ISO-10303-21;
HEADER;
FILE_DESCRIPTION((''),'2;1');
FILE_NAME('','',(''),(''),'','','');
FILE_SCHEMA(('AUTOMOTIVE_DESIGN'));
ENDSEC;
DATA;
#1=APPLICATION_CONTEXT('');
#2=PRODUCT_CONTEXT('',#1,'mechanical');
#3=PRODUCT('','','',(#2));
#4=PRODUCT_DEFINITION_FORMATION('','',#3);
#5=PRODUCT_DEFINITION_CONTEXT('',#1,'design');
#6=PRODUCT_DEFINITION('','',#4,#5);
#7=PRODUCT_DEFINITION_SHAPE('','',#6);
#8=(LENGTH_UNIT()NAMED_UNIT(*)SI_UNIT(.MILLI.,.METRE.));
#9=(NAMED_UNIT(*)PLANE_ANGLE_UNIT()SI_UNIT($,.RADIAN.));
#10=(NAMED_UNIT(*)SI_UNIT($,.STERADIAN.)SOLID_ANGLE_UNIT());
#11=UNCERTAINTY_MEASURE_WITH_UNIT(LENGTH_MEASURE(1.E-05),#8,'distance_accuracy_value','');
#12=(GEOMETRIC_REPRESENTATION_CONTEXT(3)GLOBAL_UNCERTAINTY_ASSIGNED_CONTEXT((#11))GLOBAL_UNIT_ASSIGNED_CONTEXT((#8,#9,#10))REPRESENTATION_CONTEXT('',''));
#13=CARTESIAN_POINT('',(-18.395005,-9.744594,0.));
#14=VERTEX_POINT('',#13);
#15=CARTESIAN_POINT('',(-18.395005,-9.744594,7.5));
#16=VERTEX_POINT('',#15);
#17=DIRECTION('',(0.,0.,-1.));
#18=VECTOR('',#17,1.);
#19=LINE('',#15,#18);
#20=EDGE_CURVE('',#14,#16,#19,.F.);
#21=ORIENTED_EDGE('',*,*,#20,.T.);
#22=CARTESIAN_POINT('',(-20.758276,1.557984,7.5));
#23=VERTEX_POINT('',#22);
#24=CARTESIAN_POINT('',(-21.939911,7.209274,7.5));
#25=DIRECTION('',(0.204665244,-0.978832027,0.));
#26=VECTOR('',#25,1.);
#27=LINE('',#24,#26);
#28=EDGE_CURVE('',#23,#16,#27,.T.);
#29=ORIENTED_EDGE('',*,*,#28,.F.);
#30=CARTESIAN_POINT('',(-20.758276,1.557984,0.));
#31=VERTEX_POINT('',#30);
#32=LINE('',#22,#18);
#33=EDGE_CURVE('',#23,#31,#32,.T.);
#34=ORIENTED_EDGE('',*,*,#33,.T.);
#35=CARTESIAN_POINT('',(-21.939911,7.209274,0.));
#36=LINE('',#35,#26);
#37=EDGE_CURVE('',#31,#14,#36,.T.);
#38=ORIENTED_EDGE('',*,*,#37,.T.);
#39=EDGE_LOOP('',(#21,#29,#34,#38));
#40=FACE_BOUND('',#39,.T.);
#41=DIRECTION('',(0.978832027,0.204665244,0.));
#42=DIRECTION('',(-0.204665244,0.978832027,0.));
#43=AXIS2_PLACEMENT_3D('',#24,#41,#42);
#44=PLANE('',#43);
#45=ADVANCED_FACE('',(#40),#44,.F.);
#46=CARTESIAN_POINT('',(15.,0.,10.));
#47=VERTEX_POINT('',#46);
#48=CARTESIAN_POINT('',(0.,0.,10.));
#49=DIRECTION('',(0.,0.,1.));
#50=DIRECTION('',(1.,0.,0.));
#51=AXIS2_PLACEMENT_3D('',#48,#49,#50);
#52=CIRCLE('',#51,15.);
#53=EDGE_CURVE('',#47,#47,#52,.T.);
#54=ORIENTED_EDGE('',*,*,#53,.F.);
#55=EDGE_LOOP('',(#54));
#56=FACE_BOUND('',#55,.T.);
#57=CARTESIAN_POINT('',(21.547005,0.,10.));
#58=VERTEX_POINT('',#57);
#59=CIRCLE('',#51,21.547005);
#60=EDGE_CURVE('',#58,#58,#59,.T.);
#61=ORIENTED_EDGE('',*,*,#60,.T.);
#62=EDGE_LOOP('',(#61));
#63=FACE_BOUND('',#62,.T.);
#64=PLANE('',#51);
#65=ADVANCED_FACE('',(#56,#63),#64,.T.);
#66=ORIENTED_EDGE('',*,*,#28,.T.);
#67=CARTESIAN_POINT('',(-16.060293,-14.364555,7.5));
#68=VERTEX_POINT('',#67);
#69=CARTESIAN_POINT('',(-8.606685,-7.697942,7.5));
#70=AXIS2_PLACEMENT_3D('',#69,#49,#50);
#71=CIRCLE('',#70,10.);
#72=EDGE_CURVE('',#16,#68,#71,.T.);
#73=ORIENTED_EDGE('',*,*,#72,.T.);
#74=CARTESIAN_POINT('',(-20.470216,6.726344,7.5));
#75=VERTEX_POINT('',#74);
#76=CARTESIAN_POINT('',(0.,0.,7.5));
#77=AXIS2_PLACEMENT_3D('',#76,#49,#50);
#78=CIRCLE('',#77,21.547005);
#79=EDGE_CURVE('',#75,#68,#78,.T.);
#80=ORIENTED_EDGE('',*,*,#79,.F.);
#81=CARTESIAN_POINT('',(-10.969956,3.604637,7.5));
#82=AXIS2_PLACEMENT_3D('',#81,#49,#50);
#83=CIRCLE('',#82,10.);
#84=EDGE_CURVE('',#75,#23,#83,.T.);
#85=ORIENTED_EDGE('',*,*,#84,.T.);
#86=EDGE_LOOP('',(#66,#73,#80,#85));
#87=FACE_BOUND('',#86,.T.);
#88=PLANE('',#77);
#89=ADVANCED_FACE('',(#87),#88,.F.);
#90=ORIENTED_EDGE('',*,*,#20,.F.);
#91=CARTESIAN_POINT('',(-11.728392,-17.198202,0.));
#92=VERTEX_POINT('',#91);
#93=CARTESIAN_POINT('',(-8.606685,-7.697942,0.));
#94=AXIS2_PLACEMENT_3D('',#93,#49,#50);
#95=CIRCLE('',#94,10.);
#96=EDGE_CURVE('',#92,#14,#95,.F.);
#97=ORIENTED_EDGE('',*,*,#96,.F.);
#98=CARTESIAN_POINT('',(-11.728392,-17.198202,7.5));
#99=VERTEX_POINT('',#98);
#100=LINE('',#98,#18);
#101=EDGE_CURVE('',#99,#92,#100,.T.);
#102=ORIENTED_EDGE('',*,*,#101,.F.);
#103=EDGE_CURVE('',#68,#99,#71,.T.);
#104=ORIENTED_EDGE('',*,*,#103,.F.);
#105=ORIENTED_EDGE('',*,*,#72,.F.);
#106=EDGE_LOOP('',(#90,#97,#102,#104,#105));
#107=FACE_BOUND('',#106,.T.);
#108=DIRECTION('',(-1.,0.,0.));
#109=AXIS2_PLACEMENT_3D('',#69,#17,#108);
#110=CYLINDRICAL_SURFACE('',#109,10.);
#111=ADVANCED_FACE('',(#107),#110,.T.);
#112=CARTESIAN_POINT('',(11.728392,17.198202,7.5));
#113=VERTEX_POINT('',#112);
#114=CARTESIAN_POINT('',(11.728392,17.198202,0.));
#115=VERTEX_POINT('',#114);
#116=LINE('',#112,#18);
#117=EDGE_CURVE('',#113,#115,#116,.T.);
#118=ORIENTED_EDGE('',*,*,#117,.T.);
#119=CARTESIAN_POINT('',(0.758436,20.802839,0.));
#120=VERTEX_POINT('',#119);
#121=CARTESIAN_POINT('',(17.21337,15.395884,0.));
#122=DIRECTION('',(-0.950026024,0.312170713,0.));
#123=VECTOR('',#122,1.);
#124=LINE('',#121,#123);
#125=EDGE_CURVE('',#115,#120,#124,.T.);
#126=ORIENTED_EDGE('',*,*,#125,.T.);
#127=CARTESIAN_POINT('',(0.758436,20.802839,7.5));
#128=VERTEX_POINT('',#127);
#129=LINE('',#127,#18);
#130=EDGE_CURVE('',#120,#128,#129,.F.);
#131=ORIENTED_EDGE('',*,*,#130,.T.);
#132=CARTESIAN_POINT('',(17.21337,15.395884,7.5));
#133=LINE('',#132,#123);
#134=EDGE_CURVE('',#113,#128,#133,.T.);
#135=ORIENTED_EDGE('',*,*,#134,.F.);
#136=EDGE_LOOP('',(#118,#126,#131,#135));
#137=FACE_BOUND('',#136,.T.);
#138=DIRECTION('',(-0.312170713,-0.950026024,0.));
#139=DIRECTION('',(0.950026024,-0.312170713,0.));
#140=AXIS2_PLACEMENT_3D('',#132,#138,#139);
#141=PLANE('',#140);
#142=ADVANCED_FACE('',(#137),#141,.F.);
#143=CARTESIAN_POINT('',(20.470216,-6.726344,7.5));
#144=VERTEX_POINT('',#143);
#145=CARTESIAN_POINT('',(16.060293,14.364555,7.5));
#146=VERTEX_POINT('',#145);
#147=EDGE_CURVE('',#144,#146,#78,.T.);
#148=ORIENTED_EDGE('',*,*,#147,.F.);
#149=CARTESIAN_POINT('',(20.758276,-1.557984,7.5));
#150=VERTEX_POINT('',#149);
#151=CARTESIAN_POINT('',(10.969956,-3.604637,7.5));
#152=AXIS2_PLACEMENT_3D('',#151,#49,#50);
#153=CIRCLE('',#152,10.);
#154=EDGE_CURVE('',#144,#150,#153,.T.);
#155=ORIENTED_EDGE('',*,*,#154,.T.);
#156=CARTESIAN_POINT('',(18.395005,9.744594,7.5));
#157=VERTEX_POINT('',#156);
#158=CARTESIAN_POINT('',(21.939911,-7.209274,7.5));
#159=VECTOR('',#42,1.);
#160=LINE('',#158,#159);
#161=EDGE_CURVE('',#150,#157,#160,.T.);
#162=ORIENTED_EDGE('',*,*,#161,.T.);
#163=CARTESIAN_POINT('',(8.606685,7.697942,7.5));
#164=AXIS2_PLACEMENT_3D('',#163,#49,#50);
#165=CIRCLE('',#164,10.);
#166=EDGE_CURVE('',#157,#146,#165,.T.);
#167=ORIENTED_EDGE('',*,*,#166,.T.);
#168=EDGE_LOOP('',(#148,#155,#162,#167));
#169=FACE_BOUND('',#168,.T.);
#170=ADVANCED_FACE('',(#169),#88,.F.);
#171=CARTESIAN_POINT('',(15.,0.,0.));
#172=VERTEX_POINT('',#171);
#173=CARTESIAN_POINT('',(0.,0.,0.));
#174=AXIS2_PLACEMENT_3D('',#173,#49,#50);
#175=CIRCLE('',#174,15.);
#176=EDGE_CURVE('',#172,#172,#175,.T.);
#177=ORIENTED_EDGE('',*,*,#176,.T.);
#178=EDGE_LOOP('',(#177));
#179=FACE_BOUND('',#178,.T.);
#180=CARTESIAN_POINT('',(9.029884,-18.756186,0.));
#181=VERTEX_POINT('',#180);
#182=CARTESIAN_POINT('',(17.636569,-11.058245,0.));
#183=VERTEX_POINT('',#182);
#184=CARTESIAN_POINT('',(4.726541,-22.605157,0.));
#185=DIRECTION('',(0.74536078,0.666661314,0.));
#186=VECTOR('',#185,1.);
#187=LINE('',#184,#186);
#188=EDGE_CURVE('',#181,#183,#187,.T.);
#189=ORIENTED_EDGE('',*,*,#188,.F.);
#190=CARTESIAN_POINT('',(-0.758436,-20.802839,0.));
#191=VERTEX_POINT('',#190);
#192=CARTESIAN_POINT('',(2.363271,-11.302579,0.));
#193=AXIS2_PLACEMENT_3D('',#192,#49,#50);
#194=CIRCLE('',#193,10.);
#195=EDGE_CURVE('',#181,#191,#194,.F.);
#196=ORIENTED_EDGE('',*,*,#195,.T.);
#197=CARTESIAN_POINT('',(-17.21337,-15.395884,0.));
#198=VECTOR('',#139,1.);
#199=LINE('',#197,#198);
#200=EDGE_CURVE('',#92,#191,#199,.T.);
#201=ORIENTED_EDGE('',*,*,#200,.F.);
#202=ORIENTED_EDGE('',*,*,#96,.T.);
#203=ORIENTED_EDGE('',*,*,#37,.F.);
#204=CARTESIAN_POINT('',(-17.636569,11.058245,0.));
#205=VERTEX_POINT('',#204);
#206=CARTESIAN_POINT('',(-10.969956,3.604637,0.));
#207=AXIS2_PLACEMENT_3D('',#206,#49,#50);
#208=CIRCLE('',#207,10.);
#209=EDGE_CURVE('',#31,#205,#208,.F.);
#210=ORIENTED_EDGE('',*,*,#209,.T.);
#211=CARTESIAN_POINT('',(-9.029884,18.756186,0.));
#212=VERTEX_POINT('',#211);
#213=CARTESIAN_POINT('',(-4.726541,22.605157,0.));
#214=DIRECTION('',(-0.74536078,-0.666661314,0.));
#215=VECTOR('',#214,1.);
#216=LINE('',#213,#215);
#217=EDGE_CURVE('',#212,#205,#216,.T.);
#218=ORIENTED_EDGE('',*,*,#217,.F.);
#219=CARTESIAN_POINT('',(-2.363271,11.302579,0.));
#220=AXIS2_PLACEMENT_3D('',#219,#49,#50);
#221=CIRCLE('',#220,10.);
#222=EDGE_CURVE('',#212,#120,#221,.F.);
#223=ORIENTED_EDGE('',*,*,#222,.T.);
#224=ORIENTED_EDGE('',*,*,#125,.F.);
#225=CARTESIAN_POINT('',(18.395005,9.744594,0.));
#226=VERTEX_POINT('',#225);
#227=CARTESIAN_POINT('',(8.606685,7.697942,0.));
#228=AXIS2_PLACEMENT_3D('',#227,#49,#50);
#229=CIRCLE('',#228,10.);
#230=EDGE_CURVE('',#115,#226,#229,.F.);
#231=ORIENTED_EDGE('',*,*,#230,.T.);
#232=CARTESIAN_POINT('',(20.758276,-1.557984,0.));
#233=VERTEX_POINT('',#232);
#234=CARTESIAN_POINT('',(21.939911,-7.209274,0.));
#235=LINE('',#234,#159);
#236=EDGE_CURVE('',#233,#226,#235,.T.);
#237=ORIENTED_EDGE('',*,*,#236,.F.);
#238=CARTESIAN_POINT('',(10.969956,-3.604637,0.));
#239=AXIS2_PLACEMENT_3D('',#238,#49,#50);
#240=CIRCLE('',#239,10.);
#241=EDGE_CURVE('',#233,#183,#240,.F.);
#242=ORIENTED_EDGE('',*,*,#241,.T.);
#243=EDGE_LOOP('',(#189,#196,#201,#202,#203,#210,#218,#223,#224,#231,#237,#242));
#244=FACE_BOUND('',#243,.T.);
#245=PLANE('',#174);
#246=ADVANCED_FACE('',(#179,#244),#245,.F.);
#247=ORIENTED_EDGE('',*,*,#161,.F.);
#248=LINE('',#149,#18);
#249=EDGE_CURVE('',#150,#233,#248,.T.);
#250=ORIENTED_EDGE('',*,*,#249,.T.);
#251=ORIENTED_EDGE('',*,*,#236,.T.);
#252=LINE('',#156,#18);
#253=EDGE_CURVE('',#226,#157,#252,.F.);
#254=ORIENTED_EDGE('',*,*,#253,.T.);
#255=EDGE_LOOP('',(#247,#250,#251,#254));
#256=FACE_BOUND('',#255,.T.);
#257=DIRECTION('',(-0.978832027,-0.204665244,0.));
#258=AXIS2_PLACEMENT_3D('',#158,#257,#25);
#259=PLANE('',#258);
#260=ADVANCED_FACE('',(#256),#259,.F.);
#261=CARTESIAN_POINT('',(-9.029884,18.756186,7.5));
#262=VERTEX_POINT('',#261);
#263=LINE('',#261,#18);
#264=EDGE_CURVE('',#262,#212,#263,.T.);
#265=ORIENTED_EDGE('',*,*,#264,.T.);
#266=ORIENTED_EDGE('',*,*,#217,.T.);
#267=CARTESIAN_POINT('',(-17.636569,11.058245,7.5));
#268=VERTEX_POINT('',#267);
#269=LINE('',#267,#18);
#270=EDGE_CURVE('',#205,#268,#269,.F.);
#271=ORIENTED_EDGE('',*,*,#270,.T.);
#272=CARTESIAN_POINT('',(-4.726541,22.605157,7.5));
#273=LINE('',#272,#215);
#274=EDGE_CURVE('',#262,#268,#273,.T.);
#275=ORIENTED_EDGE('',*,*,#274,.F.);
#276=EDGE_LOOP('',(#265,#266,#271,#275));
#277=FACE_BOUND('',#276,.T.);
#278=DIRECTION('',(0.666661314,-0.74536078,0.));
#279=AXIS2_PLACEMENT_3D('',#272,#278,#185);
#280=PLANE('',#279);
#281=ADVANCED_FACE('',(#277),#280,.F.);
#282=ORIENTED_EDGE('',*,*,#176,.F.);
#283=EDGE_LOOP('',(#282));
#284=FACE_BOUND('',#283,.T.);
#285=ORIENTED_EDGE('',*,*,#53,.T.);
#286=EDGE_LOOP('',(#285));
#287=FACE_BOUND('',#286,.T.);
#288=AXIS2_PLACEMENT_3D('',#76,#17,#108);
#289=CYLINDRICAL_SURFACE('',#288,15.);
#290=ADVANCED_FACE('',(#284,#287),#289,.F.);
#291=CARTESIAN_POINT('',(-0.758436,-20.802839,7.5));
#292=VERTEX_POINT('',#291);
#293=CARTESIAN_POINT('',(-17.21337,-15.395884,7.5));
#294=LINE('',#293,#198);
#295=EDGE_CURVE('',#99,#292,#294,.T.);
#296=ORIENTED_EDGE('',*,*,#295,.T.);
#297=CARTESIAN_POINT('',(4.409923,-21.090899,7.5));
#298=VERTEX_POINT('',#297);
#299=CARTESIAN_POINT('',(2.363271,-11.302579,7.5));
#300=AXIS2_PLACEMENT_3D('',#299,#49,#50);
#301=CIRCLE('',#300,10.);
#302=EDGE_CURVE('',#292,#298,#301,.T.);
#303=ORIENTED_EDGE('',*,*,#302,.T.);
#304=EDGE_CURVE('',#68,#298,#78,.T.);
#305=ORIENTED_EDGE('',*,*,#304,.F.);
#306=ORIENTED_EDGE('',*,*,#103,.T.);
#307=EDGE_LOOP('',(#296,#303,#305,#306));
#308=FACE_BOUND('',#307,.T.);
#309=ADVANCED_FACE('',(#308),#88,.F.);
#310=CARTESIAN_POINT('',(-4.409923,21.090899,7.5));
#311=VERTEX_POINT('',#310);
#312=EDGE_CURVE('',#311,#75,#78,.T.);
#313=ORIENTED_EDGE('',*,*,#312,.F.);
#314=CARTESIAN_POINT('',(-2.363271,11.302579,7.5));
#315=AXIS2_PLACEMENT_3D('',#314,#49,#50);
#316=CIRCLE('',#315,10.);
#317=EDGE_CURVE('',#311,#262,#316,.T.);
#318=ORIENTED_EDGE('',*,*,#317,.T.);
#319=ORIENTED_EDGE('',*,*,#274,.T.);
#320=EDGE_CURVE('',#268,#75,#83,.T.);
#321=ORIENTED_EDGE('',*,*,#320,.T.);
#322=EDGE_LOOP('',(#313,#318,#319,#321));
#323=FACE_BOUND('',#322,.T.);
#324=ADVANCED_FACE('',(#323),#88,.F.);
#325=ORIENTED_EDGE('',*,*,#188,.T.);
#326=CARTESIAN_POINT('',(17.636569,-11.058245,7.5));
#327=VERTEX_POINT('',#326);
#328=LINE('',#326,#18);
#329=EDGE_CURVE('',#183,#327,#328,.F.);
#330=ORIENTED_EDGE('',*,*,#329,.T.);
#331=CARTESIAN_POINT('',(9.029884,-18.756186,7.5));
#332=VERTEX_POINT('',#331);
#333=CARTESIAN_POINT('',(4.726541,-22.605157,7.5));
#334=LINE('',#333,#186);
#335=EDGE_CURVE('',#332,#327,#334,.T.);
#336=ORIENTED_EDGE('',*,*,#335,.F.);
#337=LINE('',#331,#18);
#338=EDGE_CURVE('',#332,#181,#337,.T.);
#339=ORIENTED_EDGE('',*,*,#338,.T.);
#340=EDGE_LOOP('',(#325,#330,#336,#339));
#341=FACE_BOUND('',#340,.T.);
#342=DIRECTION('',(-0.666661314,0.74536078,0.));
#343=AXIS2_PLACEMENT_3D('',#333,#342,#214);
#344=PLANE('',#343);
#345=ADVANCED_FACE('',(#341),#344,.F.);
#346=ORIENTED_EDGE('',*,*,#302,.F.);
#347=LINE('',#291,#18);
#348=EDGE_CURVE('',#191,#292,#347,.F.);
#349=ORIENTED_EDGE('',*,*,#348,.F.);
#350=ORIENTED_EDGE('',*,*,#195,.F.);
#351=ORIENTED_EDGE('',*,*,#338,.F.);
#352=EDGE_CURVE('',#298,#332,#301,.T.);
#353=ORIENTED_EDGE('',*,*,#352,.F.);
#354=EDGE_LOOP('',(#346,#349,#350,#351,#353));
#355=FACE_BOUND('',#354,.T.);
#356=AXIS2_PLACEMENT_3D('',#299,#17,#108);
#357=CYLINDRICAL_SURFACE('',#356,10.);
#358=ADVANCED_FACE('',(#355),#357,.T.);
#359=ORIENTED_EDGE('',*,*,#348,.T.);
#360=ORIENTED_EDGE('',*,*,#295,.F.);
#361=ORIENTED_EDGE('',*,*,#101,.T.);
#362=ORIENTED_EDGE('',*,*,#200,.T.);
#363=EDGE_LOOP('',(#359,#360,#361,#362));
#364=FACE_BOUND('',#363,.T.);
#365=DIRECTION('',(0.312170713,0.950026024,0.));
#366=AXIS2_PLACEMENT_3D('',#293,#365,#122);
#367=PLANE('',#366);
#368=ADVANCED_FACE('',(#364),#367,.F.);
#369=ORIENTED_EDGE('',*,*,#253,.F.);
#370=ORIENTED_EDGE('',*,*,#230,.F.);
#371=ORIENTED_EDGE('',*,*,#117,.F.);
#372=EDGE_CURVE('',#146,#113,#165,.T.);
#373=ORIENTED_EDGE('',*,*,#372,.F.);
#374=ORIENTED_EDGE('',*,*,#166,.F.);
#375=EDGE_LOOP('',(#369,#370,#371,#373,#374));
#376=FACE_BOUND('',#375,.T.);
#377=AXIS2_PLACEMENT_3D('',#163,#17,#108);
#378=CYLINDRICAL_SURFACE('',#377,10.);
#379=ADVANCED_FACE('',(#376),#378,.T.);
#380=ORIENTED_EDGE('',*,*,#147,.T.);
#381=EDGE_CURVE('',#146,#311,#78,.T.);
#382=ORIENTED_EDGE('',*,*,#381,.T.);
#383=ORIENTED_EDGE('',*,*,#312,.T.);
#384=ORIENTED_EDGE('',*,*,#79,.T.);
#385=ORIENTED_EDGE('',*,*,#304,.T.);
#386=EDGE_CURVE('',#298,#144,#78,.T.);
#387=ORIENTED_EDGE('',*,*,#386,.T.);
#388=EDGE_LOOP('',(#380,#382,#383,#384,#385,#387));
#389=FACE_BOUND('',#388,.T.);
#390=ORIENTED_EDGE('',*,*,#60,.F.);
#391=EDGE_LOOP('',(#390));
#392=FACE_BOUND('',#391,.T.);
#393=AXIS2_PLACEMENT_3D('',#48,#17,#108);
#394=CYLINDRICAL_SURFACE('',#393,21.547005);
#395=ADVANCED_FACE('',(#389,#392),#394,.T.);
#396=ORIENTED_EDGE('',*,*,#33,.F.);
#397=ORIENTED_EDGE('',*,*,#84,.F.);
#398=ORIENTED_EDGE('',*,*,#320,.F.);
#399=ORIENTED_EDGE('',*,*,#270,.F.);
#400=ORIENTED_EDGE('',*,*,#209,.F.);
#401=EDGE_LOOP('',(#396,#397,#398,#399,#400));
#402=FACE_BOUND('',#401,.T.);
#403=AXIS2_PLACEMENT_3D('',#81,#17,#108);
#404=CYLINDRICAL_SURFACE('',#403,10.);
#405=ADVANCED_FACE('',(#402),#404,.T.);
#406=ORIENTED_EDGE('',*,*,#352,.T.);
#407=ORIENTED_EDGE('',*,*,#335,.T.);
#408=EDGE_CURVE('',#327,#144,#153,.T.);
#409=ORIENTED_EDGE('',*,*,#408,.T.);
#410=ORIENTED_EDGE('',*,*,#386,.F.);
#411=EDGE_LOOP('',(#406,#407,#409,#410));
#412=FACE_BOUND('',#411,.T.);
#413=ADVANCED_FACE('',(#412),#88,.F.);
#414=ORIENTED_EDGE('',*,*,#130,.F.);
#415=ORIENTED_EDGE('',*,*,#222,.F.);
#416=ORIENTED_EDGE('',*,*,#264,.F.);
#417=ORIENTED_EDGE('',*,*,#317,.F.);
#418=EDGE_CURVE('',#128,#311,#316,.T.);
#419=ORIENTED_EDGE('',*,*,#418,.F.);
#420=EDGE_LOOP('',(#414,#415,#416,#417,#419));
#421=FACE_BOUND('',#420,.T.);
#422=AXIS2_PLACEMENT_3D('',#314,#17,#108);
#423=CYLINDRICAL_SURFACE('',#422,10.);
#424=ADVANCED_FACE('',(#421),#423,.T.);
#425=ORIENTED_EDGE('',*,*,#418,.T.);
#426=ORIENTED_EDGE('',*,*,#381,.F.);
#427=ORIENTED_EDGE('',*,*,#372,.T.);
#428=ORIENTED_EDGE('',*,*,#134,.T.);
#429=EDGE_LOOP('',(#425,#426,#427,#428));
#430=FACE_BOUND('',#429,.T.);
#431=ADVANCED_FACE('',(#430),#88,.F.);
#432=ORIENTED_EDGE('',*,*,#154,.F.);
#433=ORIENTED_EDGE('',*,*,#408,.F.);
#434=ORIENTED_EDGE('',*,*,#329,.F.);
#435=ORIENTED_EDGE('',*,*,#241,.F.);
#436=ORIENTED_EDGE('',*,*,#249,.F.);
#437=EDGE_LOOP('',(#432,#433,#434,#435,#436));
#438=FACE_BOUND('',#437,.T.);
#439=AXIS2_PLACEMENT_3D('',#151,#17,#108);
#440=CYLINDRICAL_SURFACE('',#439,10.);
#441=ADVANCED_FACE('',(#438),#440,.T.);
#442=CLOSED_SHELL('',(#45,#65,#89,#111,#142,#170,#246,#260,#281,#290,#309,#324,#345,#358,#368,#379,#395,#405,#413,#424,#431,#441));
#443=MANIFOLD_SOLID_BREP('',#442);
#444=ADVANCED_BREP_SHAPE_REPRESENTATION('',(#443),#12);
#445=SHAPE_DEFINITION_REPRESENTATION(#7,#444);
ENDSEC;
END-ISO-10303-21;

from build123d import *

# Parameters (mm, degrees)
SKETCH1_R           = 15
BOSS_EXTRUDE1_DEPTH = 7.5
FILLET1_R           = 10
SKETCH5_R           = 21.547005384
SKETCH5_R_2         = 15
BOSS_EXTRUDE2_DEPTH = 2.5


with BuildPart() as part:
    # Sketch1 → Boss-Extrude1 (new body)
    with BuildSketch(Plane.XY):
        Polygon((4.726541348, -22.605157381), (21.939911222, -7.209273811), (17.213369874, 15.39588357), (-4.726541348, 22.605157381), (-21.939911222, 7.209273811), (-17.213369874, -15.39588357), align=None)
        Circle(SKETCH1_R, mode=Mode.SUBTRACT)
    extrude(amount=BOSS_EXTRUDE1_DEPTH)

    # Fillet1
    fillet1_edges = [part.edges().sort_by_distance(p)[0] for p in [
        (-17.213369874, -15.39588357, 3.75),
        (-21.939911222, 7.209273811, 3.75),
        (-4.726541348, 22.605157381, 3.75),
        (17.213369874, 15.39588357, 3.75),
        (21.939911222, -7.209273811, 3.75),
        (4.726541348, -22.605157381, 3.75),
    ]]
    fillet(fillet1_edges, radius=FILLET1_R)

    # Sketch5 → Boss-Extrude2 (add)
    with BuildSketch(Plane.XY.offset(7.5)):
        Circle(SKETCH5_R)
        Circle(SKETCH5_R_2, mode=Mode.SUBTRACT)
    extrude(amount=BOSS_EXTRUDE2_DEPTH)


solid = part.part
